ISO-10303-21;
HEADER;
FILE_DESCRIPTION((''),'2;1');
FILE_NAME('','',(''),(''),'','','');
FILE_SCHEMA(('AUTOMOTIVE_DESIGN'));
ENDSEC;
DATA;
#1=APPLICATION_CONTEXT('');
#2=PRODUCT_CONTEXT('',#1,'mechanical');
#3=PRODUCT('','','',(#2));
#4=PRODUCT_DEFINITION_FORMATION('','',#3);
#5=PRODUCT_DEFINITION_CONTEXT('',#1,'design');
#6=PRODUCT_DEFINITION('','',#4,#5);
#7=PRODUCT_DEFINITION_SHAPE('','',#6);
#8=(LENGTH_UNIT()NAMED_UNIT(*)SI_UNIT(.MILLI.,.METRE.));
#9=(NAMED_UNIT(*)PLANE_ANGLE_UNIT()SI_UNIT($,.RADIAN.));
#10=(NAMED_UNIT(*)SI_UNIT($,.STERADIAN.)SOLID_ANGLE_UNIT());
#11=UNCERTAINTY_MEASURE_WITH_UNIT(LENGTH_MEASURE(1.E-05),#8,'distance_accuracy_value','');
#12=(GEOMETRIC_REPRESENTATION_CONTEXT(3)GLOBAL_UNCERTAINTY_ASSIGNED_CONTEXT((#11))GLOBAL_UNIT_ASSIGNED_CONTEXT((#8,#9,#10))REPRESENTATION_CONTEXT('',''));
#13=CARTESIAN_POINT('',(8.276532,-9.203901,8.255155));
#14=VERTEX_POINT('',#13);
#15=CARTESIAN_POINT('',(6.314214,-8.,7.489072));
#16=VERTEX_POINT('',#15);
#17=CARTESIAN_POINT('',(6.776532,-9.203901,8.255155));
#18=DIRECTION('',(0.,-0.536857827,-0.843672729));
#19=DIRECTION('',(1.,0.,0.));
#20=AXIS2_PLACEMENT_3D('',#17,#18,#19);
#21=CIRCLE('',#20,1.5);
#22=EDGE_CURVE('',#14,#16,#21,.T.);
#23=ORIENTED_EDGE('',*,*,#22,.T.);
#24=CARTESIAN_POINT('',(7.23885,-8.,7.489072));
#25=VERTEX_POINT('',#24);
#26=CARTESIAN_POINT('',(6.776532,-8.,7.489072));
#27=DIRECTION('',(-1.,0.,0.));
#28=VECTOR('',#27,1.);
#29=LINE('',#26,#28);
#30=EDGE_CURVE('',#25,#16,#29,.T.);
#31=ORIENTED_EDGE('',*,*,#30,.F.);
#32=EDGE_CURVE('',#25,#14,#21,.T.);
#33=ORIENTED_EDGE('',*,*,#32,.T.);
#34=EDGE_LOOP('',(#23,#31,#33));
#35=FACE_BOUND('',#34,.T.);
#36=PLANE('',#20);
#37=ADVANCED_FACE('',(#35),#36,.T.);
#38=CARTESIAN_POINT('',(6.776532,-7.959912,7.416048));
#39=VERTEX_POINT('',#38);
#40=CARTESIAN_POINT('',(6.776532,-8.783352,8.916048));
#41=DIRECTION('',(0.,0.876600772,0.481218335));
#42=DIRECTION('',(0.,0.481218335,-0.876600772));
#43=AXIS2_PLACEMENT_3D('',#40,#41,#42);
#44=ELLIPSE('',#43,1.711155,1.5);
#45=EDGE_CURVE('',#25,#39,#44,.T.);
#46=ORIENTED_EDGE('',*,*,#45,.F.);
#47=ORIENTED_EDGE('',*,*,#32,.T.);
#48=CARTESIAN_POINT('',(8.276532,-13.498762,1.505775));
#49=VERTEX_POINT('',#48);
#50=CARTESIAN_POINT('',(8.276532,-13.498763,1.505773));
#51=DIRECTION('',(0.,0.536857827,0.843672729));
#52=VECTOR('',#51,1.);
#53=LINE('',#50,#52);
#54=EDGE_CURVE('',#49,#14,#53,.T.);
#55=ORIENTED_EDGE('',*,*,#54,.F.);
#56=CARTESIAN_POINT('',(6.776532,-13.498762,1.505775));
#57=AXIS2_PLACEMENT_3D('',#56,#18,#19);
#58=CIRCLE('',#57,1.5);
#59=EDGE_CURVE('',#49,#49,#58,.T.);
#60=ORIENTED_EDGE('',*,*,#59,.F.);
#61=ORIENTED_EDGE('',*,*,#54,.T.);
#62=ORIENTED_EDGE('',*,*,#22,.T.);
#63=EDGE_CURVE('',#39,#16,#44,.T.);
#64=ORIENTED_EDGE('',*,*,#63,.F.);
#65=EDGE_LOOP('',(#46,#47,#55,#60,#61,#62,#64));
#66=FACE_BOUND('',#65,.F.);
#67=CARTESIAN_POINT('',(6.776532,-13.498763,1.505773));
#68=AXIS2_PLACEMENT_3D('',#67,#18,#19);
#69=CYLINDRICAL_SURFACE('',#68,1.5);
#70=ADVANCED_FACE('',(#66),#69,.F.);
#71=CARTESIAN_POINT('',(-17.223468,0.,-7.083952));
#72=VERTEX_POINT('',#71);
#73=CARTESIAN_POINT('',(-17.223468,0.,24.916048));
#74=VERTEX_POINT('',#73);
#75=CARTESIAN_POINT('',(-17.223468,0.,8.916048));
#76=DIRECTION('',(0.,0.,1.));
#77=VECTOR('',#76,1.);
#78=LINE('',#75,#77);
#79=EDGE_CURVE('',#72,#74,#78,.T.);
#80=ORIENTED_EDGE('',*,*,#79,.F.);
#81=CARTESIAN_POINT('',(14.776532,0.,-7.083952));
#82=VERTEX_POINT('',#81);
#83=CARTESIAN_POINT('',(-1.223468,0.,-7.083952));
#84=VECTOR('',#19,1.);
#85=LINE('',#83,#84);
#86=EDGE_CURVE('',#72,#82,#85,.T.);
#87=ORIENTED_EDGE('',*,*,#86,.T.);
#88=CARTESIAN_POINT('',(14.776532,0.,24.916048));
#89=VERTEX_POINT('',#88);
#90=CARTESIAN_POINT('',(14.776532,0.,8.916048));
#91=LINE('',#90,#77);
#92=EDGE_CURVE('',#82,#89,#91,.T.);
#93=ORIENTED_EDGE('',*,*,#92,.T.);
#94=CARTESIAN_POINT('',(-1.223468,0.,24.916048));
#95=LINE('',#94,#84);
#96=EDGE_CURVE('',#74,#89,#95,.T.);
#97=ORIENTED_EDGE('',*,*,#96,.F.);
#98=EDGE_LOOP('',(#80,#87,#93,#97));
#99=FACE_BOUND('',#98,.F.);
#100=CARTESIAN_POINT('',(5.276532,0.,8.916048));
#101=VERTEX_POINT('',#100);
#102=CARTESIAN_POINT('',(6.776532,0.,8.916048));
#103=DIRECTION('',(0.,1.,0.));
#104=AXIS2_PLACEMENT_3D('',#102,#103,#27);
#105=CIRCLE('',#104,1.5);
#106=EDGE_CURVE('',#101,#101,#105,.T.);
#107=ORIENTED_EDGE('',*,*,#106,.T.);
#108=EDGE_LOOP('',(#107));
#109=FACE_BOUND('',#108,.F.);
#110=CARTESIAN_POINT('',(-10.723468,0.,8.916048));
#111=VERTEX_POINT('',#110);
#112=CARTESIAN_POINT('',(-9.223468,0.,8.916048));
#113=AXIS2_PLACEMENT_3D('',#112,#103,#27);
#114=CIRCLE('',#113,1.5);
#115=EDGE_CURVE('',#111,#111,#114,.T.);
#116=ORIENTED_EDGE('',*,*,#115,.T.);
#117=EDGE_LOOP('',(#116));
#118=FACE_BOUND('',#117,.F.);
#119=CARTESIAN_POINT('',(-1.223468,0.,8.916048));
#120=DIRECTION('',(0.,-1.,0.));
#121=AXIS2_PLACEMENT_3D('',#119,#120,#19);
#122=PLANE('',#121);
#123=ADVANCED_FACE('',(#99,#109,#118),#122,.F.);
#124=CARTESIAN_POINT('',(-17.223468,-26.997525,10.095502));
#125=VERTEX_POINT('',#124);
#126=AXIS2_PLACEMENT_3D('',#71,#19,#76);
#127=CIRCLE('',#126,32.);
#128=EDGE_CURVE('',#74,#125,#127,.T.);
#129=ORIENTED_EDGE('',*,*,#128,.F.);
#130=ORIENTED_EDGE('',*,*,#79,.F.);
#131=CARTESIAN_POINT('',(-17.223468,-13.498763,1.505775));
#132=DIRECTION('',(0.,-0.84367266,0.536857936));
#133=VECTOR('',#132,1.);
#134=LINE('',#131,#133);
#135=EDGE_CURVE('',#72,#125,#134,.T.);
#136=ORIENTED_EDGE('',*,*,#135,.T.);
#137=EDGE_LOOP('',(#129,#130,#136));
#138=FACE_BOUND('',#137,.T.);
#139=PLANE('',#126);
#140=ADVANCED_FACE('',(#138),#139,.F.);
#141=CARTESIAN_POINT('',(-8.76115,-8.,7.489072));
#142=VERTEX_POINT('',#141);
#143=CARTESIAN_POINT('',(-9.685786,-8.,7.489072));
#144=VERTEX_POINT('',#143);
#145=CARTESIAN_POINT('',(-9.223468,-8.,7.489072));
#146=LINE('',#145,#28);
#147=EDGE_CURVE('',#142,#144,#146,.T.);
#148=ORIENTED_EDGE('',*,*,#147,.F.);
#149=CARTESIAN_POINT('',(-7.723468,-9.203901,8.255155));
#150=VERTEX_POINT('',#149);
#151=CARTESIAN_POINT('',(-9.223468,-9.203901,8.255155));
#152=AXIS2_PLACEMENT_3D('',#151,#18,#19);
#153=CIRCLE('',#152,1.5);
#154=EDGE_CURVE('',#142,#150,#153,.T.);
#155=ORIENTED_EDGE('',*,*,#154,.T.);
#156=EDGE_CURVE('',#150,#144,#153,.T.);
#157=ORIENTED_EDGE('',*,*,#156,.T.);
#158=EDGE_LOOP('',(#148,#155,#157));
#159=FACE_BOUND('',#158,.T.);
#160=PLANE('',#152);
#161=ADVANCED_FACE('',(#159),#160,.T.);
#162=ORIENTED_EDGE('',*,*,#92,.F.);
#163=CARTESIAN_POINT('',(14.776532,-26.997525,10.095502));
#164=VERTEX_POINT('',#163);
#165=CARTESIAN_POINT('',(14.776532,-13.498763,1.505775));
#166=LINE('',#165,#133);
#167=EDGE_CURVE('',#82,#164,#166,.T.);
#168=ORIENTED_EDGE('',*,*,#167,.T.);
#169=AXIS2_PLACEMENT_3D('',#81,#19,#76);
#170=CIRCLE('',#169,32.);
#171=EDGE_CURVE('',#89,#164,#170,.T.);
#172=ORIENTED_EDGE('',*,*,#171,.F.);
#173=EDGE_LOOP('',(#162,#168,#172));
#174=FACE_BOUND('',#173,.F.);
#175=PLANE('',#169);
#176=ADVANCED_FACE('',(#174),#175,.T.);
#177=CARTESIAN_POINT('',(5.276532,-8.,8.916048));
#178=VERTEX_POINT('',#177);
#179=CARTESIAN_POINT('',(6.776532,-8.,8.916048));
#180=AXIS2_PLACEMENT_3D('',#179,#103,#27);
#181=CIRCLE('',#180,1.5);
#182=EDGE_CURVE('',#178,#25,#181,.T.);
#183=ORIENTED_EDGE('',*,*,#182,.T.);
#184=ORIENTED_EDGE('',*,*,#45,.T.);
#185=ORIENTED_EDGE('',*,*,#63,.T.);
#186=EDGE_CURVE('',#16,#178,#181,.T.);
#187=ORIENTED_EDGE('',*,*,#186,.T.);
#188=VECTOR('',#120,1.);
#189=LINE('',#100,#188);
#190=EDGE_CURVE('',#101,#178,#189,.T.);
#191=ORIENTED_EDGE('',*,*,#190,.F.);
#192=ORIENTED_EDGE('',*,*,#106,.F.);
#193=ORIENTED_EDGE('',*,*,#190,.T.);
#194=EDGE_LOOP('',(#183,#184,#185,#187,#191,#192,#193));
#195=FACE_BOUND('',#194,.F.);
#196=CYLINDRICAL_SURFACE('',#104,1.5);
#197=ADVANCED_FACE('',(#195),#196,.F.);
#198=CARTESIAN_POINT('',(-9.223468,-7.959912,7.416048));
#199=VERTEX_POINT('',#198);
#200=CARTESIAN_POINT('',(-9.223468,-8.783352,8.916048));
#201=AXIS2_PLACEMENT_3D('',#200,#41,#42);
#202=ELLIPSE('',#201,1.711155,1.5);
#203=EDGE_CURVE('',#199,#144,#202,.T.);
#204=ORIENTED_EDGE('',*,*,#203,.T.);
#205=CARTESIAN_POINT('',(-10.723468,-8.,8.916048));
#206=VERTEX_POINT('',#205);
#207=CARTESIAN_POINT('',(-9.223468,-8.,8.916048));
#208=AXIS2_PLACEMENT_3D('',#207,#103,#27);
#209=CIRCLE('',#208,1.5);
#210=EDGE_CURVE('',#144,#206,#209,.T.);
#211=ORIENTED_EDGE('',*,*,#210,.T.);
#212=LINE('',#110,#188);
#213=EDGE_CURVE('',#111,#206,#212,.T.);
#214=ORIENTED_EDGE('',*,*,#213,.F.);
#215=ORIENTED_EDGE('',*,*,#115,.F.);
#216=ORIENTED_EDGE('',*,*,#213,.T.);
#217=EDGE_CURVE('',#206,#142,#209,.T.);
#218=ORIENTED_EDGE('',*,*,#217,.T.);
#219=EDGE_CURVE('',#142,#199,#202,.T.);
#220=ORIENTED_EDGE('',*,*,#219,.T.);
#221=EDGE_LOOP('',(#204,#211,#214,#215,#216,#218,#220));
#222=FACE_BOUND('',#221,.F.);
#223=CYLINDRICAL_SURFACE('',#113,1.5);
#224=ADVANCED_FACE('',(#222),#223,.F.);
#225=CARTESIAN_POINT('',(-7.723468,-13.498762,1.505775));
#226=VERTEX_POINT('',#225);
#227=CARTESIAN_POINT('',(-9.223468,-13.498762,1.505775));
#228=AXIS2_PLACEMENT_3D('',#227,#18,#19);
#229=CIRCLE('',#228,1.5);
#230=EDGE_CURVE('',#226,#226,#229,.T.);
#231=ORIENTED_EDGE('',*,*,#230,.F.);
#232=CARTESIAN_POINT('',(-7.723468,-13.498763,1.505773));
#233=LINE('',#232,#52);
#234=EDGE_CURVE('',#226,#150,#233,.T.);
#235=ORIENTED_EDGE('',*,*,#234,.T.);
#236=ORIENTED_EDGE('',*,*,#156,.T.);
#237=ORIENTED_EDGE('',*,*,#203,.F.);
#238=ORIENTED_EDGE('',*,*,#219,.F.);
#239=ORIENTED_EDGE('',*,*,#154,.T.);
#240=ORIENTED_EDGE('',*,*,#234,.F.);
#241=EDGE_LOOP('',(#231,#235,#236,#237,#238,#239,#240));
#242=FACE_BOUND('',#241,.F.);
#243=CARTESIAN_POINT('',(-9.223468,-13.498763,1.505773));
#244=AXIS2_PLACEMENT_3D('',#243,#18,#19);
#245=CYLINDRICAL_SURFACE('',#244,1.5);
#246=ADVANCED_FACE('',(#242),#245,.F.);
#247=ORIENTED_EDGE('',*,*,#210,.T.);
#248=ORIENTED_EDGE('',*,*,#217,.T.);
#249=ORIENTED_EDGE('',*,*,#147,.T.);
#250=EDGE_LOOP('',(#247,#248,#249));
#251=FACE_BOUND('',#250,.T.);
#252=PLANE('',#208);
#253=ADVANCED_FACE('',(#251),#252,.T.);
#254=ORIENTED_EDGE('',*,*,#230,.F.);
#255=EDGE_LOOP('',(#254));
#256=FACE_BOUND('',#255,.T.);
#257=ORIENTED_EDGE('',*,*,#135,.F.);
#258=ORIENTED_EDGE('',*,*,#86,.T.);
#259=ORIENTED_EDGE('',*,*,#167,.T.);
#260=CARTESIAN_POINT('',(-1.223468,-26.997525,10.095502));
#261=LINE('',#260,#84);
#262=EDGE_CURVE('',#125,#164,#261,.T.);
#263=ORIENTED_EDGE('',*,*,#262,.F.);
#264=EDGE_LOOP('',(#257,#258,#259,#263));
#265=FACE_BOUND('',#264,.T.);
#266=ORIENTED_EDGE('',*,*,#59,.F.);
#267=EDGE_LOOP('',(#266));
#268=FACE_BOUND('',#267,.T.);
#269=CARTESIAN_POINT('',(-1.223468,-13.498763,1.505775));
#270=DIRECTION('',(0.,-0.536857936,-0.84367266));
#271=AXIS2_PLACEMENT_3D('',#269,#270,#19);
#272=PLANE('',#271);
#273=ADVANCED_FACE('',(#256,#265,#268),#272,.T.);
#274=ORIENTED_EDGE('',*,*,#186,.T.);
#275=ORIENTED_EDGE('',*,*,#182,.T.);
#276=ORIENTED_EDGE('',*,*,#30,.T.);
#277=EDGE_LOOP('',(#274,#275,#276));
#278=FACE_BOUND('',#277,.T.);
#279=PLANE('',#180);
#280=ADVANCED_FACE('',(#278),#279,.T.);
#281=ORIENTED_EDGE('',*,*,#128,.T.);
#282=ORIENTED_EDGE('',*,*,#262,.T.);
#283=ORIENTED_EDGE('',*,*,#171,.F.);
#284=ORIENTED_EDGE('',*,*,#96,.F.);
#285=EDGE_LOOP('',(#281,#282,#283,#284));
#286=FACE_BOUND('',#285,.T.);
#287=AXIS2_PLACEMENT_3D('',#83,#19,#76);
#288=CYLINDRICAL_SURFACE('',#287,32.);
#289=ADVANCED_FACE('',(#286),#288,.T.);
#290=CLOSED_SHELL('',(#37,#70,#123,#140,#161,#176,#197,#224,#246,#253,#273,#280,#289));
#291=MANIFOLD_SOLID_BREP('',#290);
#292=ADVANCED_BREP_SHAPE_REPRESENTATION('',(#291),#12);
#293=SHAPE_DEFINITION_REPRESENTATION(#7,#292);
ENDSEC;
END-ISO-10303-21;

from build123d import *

# Parameters (mm, degrees)
F0_W     = 32
F0_H     = 32
F1_ANGLE = 57.53
F2_R     = 1.5
F3_DEPTH = 8
F4_R     = 1.5
F5_DEPTH = 8


with BuildPart() as f1:
    # F0 (on Front) → F1 (revolve)
    with BuildSketch(Plane.XZ):
        with Locations((-1.223468, 8.916048)):
            Rectangle(F0_W, F0_H)
    revolve(axis=Axis((-1.223468, 0, -7.083952), (1, 0, 0)), revolution_arc=F1_ANGLE)

    # F2 (on face) → F3 (cut)
    with BuildSketch(Plane(origin=(0, 0, 0), x_dir=(-1, 0, 0), z_dir=(0, 1, 0))):
        with Locations((-6.776532, 8.916048)):
            Circle(F2_R)
        with Locations((9.223468, 8.916048)):
            Circle(F2_R)
    extrude(amount=-F3_DEPTH, mode=Mode.SUBTRACT)

    # F4 (on face) → F5 (cut)
    with BuildSketch(Plane(origin=(0, -3.208551, -5.042241), x_dir=(1, 0, 0), z_dir=(0, -0.536858, -0.843673))):
        with Locations((6.776532, 12.196924)):
            Circle(F4_R)
        with Locations((-9.223468, 12.196924)):
            Circle(F4_R)
    extrude(amount=-F5_DEPTH, mode=Mode.SUBTRACT)


solid = f1.part
